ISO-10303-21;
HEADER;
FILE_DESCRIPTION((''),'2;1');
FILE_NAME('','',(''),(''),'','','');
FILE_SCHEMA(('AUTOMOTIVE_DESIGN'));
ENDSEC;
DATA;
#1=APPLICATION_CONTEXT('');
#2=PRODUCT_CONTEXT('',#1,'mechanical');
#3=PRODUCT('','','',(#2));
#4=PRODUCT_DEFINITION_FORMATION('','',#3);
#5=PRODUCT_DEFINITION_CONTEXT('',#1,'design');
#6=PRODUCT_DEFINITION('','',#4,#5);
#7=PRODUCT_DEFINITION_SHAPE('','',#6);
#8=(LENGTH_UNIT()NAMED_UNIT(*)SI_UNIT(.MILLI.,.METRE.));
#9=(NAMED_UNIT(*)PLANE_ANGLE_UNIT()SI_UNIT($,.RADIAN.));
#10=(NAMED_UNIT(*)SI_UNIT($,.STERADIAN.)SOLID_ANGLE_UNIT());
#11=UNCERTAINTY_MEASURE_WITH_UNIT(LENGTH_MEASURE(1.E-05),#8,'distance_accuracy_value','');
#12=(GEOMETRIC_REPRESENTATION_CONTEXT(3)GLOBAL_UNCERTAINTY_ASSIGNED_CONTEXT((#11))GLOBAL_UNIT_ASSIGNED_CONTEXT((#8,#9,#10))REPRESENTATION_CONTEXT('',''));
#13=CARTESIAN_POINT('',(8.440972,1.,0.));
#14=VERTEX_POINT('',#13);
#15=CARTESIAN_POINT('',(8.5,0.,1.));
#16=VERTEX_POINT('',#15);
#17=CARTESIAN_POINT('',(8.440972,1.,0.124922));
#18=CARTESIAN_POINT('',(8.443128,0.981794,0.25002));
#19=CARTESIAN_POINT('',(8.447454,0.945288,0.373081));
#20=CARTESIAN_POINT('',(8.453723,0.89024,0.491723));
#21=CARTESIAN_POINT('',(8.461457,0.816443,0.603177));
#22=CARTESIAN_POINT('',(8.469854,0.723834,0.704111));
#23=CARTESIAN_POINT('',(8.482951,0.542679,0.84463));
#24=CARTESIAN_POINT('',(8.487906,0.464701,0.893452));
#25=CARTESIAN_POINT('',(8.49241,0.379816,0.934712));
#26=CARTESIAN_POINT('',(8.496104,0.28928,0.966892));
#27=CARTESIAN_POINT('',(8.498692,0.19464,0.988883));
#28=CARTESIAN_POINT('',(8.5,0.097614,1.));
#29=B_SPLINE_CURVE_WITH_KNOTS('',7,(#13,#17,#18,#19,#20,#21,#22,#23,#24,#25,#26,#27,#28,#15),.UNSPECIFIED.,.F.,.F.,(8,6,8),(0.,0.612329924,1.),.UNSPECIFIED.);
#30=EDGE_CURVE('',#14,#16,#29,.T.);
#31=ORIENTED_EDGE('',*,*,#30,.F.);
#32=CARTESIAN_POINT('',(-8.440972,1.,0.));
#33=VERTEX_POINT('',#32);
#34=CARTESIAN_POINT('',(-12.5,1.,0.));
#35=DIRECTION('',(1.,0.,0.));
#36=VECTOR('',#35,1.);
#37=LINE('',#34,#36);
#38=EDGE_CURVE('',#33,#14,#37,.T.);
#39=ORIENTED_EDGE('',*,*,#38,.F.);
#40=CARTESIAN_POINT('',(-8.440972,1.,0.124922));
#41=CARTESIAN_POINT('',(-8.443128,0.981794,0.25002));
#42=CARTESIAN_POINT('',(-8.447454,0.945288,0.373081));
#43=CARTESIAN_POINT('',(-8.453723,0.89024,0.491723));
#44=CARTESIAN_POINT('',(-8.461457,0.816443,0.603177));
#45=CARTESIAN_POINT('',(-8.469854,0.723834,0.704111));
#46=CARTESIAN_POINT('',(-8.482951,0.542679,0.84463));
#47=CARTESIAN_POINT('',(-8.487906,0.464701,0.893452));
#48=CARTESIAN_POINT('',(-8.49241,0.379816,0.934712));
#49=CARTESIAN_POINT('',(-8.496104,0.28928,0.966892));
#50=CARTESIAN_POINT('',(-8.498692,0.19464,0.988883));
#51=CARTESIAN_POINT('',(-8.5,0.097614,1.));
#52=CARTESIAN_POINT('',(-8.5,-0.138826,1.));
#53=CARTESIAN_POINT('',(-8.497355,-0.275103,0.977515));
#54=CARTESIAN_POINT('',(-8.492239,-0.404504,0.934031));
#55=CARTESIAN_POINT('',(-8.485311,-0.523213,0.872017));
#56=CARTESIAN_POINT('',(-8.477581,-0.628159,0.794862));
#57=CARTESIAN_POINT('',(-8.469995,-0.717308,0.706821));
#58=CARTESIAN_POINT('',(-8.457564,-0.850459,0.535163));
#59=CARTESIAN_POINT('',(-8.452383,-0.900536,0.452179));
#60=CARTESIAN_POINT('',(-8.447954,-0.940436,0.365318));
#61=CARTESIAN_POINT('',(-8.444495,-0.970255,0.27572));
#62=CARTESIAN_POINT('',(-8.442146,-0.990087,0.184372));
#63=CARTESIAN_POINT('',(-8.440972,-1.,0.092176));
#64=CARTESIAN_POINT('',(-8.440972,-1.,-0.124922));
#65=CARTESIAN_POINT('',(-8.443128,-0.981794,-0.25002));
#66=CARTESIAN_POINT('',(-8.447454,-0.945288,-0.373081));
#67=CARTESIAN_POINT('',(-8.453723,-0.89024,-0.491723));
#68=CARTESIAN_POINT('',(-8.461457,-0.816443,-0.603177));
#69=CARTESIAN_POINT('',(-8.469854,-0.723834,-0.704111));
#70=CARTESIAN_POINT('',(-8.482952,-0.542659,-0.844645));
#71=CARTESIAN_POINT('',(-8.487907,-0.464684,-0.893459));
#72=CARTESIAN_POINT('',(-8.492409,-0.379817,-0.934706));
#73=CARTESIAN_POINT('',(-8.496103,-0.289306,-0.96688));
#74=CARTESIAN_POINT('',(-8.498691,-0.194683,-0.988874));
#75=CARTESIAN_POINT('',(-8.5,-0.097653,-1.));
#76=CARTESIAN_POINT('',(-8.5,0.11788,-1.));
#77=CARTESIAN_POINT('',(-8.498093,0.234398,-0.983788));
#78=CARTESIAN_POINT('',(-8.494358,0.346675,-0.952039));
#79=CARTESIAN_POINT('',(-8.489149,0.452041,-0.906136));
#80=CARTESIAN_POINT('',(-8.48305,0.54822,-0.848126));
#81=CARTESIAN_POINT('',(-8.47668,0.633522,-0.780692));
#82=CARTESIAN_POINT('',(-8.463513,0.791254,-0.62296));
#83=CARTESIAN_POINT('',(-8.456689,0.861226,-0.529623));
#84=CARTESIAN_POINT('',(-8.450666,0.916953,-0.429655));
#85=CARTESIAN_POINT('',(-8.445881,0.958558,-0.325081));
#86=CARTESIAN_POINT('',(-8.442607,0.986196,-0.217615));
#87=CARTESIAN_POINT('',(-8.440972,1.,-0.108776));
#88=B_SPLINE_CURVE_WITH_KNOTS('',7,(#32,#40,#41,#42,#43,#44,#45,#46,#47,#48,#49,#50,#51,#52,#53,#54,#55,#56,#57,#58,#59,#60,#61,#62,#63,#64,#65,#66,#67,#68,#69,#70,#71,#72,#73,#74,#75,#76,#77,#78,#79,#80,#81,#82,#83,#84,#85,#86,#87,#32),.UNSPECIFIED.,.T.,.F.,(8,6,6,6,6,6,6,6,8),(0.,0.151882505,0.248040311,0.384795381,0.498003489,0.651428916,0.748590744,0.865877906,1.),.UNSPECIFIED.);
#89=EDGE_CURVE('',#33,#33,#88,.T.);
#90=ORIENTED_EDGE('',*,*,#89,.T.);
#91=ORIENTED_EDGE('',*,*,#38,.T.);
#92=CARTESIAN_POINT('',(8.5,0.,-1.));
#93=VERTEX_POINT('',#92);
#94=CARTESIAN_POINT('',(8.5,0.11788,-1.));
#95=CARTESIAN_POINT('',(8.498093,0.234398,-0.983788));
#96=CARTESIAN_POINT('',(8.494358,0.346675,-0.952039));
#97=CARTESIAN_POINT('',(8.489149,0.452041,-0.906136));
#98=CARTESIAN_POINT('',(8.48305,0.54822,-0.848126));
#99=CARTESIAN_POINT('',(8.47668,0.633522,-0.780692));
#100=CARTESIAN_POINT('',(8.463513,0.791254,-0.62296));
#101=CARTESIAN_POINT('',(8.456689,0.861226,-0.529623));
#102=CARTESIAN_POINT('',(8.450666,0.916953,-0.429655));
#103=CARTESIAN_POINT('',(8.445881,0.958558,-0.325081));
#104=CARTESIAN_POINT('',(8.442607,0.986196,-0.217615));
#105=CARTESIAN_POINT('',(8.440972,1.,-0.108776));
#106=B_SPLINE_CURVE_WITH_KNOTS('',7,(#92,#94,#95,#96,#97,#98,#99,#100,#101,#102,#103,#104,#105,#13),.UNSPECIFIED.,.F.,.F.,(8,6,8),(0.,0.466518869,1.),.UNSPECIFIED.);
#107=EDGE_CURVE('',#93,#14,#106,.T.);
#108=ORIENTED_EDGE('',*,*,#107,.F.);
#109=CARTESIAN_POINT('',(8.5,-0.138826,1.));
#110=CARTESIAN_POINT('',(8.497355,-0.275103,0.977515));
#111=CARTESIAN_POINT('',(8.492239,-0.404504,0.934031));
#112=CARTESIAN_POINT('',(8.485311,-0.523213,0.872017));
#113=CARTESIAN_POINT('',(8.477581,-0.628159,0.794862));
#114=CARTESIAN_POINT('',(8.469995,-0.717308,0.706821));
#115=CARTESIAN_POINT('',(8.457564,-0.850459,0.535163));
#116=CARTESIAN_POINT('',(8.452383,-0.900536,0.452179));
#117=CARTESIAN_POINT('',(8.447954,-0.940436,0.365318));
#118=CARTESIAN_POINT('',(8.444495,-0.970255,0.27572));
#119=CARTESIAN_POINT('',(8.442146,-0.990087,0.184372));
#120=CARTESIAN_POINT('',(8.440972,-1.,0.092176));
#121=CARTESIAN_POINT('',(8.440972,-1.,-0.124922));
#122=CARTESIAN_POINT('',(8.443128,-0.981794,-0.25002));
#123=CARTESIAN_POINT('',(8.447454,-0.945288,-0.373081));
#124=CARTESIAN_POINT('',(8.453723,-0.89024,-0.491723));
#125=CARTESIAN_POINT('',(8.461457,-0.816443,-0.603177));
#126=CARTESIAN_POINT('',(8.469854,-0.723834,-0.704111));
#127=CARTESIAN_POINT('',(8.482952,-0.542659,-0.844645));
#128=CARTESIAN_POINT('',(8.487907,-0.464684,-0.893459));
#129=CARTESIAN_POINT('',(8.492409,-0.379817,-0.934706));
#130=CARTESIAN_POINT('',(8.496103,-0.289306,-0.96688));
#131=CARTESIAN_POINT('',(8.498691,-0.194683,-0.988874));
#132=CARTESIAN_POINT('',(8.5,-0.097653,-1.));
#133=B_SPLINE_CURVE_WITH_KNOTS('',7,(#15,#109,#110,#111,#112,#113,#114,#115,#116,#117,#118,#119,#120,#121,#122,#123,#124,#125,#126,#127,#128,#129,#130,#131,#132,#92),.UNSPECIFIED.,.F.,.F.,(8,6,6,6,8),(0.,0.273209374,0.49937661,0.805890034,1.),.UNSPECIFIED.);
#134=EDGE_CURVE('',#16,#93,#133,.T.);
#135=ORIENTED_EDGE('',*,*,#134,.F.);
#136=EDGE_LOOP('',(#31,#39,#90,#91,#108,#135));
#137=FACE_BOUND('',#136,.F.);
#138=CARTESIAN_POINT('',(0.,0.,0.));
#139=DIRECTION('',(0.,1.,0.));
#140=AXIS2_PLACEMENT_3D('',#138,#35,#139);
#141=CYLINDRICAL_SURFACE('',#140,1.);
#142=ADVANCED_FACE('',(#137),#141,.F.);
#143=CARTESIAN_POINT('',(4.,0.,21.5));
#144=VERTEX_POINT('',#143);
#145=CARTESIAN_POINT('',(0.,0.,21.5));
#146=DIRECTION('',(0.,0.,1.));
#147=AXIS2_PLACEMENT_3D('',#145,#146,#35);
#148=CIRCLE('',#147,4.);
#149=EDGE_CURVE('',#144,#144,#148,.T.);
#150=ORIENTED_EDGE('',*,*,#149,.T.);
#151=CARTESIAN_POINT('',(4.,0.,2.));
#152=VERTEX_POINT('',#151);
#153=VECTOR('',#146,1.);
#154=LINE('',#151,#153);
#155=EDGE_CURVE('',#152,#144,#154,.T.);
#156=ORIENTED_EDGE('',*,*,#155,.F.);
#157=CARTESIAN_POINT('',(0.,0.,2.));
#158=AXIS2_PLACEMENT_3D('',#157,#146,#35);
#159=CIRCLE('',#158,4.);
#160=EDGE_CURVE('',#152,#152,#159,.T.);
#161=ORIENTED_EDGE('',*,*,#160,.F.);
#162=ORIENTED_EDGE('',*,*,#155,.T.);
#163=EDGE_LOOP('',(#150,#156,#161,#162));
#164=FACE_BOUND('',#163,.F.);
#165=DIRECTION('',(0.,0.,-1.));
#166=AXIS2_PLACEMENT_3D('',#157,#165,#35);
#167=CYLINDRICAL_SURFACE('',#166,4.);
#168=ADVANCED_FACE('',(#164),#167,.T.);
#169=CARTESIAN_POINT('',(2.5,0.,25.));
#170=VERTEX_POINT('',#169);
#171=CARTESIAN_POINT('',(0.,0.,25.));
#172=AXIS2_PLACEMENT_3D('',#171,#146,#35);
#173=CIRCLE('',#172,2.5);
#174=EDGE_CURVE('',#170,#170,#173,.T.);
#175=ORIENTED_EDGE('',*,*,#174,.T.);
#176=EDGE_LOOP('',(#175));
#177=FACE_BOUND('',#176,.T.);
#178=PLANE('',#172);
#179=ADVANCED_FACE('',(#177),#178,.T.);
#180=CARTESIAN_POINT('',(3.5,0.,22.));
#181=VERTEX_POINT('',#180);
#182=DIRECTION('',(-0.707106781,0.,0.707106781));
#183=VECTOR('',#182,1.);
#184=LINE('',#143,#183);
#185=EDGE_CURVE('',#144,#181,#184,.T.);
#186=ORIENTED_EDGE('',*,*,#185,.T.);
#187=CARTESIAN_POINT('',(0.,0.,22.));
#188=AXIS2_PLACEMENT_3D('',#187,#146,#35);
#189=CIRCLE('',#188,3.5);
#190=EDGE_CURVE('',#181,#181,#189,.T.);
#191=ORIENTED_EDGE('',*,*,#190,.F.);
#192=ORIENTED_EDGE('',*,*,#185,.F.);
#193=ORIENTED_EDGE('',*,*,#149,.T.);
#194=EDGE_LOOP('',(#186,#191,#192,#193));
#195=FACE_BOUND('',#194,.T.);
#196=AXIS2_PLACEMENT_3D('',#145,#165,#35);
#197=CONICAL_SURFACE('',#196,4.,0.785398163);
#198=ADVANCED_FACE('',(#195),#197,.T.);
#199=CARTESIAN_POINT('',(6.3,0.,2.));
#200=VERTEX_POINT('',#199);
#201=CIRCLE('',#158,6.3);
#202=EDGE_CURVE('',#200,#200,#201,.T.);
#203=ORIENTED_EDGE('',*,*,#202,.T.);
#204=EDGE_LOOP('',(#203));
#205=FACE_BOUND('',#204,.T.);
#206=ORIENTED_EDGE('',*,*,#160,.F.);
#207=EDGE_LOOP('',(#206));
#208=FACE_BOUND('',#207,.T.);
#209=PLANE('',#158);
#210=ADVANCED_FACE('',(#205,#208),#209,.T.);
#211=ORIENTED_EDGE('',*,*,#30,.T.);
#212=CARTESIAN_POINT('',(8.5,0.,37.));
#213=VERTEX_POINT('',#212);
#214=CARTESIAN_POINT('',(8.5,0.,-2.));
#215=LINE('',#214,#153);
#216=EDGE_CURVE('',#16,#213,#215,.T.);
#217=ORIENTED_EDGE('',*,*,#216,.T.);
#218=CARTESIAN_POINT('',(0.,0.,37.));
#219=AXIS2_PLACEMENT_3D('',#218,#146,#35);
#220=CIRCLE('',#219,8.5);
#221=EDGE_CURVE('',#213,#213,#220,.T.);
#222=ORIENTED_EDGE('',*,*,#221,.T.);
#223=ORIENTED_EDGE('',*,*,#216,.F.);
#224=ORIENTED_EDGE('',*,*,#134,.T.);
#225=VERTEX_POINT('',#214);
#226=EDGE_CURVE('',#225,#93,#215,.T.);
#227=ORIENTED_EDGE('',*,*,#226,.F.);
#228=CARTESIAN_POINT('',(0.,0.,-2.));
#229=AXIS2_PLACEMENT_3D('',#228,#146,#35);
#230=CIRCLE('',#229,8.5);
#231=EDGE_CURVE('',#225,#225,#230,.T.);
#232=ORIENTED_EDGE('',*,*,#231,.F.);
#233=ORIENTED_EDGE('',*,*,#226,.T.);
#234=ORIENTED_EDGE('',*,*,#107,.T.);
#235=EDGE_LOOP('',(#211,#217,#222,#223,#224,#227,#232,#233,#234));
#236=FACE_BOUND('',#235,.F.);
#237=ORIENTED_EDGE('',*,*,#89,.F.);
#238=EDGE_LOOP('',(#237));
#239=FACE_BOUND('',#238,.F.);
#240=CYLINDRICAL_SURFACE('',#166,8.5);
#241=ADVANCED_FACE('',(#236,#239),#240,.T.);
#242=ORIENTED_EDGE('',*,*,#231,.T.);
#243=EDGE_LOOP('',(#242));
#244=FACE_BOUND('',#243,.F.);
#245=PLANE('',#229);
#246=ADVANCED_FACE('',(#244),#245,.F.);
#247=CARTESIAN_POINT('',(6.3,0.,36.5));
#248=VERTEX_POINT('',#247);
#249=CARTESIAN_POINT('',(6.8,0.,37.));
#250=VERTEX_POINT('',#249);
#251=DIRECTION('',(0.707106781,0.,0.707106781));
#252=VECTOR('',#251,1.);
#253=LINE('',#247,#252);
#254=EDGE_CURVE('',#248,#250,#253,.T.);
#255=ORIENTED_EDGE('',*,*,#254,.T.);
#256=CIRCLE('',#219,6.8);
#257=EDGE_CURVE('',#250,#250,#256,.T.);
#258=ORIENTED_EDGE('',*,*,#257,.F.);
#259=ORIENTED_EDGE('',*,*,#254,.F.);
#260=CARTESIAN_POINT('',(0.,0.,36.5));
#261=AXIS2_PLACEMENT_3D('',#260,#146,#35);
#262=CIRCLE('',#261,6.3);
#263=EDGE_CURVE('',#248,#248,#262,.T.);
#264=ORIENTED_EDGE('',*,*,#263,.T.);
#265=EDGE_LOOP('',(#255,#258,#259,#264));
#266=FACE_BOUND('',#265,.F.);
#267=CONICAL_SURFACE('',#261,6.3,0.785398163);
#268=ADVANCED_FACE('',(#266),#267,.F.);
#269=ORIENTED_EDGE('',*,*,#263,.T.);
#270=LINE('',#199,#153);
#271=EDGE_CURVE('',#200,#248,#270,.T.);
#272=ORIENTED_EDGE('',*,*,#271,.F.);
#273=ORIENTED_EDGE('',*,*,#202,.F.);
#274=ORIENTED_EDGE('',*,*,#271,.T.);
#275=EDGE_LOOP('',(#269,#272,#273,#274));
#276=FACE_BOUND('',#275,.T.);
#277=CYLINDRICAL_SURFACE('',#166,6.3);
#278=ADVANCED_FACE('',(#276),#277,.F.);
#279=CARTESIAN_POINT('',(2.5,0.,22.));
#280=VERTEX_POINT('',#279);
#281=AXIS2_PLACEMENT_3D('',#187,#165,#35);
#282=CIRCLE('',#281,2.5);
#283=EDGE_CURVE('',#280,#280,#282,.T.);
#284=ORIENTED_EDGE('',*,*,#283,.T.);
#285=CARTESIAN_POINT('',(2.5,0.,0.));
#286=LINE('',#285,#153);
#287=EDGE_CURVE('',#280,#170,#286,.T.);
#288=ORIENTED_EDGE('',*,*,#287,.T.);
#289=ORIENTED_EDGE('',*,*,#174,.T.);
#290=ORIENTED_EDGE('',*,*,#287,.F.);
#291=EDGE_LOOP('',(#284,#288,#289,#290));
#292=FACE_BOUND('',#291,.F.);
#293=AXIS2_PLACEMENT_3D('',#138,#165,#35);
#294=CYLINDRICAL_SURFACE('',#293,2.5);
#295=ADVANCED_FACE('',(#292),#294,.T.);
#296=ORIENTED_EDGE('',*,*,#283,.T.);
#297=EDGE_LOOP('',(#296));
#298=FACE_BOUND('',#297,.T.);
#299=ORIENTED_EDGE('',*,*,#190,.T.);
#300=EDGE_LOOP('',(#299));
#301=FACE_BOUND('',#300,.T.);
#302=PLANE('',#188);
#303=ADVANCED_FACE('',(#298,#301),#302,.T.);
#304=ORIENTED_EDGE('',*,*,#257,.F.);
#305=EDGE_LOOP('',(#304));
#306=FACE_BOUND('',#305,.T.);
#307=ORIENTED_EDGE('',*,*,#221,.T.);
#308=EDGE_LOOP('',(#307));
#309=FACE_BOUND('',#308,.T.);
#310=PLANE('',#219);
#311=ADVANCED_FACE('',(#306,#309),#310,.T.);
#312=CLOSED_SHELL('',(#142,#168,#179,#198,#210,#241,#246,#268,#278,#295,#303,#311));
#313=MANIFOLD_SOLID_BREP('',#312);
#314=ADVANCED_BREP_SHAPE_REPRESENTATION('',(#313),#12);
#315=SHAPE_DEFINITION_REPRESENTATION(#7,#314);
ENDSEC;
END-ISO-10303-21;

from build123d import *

# Parameters (mm, degrees)
F0_R      = 8.5
F1_DEPTH  = 2
F2_R      = 4
F3_DEPTH  = 20
F4_R      = 8.5
F4_R_2    = 6.3
F5_DEPTH  = 35
F6_SIZE   = 0.5
F7_SIZE   = 0.5
F8_R      = 2.5
F9_DEPTH  = 25
F10_R     = 1
F11_DEPTH = 12.5


with BuildPart() as f1:
    # F0 (on Top) → F1 (new body, symmetric)
    with BuildSketch(Plane.XY):
        Circle(F0_R)
    extrude(amount=F1_DEPTH, both=True)

    # F2 (on face) → F3 (join)
    with BuildSketch(Plane.XY.offset(2)):
        Circle(F2_R)
    extrude(amount=F3_DEPTH)

    # F4 (on face) → F5 (join)
    with BuildSketch(Plane.XY.offset(2)):
        Circle(F4_R)
        Circle(F4_R_2, mode=Mode.SUBTRACT)
    extrude(amount=F5_DEPTH)

    # F6
    f6_edges = [f1.edges().sort_by_distance(p)[0] for p in [
        (-4, 0, 22),
    ]]
    chamfer(f6_edges, length=F6_SIZE)

    # F7
    f7_edges = [f1.edges().sort_by_distance(p)[0] for p in [
        (-6.3, 0, 37),
    ]]
    chamfer(f7_edges, length=F7_SIZE)

    # F8 (on Top) → F9 (join)
    with BuildSketch(Plane.XY):
        Circle(F8_R)
    extrude(amount=F9_DEPTH)

    # F10 (on Right) → F11 (cut, symmetric)
    with BuildSketch(Plane.YZ):
        Circle(F10_R)
    extrude(amount=F11_DEPTH, both=True, mode=Mode.SUBTRACT)


solid = f1.part
